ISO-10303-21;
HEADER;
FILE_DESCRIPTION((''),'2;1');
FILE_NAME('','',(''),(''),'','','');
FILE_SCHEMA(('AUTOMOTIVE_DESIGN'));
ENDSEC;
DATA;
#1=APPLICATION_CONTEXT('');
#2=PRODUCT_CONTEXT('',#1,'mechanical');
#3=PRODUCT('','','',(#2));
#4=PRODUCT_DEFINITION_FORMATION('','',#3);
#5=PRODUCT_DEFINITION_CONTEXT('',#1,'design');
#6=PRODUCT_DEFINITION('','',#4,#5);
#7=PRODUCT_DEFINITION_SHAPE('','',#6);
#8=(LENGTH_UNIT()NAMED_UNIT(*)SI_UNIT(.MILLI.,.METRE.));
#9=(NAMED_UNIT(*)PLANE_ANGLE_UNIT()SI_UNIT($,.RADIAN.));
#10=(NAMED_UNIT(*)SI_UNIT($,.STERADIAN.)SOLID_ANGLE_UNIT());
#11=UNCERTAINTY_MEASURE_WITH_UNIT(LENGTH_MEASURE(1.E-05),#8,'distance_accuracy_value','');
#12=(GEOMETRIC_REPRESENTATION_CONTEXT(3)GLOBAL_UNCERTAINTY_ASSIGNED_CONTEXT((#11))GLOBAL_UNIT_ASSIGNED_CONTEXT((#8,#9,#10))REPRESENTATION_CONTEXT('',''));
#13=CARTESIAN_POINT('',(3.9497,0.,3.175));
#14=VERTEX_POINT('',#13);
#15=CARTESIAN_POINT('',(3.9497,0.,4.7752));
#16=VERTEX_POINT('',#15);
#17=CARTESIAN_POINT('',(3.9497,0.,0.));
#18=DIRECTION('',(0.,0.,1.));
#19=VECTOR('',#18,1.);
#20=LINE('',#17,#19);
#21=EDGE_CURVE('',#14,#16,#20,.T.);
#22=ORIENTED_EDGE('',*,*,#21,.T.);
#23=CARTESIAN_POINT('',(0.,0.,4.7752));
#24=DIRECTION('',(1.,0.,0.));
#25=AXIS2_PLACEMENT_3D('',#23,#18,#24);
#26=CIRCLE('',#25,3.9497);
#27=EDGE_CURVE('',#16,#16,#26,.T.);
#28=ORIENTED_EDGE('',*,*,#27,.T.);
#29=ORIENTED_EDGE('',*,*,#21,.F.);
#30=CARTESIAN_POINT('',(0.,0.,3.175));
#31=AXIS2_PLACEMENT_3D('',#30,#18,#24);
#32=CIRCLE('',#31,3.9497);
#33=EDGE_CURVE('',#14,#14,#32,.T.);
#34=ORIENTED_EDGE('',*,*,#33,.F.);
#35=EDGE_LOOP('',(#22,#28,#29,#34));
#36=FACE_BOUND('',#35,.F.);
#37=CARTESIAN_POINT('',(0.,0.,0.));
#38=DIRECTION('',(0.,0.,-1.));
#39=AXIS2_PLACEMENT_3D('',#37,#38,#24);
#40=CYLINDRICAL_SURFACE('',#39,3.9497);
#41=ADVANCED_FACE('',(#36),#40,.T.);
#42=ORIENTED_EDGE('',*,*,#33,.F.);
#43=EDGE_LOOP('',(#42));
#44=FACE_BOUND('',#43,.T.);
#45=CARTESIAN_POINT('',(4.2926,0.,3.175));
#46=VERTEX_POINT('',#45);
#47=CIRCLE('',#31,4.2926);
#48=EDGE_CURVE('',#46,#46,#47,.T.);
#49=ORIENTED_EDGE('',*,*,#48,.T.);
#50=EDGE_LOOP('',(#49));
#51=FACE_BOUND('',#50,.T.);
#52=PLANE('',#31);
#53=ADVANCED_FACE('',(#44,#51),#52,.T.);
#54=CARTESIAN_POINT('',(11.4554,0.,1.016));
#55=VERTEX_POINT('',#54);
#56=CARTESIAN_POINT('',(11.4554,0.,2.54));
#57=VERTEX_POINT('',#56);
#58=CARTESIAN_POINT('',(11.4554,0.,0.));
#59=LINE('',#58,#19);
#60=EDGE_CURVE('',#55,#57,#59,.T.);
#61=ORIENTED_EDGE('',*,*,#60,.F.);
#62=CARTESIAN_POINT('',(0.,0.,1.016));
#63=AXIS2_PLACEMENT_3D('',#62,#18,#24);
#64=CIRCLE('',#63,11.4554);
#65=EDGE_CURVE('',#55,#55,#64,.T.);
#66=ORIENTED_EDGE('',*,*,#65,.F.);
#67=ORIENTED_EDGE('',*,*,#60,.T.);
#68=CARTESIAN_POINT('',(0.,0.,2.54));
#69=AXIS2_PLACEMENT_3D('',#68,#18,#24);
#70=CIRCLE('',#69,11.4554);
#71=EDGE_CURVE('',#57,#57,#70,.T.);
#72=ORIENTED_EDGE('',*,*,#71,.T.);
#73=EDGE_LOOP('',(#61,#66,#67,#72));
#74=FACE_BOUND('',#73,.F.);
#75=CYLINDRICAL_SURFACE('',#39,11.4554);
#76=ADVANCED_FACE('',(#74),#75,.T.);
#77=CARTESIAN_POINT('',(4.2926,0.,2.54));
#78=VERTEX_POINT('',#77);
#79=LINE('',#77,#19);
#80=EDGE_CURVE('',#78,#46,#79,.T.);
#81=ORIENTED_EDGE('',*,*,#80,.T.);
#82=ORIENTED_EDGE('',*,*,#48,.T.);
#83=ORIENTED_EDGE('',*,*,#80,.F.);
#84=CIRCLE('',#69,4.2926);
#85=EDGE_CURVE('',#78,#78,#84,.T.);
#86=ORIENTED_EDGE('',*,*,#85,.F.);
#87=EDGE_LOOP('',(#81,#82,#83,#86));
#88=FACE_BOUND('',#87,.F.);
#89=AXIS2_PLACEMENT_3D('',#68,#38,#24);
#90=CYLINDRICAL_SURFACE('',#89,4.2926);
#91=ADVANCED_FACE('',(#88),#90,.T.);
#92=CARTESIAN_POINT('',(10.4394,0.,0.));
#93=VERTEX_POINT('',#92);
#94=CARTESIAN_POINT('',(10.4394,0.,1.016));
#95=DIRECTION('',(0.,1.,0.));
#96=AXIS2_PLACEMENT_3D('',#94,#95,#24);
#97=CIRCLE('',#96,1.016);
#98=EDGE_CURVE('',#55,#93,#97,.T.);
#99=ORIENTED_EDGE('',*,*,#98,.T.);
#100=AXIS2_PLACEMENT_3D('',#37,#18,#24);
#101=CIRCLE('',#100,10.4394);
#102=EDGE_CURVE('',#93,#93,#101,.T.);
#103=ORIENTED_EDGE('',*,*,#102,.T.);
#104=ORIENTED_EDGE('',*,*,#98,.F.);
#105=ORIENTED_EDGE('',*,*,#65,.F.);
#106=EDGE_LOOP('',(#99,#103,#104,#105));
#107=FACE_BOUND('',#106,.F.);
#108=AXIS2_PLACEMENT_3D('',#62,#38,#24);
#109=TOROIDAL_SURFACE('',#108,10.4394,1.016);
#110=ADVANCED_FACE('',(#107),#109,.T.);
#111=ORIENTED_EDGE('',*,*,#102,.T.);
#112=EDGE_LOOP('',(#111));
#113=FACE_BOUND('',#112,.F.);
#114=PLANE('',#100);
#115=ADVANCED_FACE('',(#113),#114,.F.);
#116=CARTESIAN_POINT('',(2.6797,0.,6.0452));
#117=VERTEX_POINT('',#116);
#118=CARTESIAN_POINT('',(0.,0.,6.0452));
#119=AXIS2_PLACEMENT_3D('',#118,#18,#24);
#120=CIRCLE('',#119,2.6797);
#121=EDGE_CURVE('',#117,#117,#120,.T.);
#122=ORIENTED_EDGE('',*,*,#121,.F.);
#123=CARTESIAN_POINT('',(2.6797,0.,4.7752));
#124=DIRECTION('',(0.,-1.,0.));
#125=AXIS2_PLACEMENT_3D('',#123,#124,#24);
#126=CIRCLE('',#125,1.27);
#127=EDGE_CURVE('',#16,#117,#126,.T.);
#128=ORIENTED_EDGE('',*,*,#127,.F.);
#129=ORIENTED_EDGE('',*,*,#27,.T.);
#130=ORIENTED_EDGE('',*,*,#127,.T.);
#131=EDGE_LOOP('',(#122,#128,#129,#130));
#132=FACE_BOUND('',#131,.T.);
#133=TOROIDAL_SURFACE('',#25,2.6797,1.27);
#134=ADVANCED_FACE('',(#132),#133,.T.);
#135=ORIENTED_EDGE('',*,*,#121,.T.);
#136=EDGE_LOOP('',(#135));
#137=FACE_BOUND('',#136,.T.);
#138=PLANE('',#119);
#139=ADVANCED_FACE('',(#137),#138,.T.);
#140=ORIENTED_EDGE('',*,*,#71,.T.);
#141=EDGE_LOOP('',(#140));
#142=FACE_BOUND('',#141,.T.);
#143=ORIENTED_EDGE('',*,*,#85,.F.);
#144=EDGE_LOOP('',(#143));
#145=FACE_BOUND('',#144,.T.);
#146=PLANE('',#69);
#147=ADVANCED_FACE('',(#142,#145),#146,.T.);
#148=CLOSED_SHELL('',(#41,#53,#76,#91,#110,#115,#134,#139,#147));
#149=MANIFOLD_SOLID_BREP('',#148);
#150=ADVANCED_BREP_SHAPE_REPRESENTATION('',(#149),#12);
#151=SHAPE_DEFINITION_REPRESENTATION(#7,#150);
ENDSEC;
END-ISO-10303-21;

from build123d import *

# Parameters (mm, degrees)
F0_R     = 3.9497
F1_DEPTH = 6.0452
F0_R_2   = 11.4554
F2_DEPTH = 2.54
F3_R     = 1.016
F4_R     = 1.27
F5_R     = 4.2926
F5_R_2   = 3.9497
F6_DEPTH = 0.635


with BuildPart() as f1:
    # F0 (on Top) → F1 (new body)
    with BuildSketch(Plane.XY):
        Circle(F0_R)
    extrude(amount=F1_DEPTH)

    # F0 (on Top) → F2 (join)
    with BuildSketch(Plane.XY):
        Circle(F0_R_2)
        Circle(F0_R, mode=Mode.SUBTRACT)
    extrude(amount=F2_DEPTH)

    # F3
    f3_edges = [f1.edges().sort_by_distance(p)[0] for p in [
        (-11.4554, 0, 0),
    ]]
    fillet(f3_edges, radius=F3_R)

    # F4
    f4_edges = [f1.edges().sort_by_distance(p)[0] for p in [
        (-3.9497, 0, 6.0452),
    ]]
    fillet(f4_edges, radius=F4_R)

    # F5 (on face) → F6 (join)
    with BuildSketch(Plane.XY.offset(2.54)):
        Circle(F5_R)
        Circle(F5_R_2, mode=Mode.SUBTRACT)
    extrude(amount=F6_DEPTH)


solid = f1.part
